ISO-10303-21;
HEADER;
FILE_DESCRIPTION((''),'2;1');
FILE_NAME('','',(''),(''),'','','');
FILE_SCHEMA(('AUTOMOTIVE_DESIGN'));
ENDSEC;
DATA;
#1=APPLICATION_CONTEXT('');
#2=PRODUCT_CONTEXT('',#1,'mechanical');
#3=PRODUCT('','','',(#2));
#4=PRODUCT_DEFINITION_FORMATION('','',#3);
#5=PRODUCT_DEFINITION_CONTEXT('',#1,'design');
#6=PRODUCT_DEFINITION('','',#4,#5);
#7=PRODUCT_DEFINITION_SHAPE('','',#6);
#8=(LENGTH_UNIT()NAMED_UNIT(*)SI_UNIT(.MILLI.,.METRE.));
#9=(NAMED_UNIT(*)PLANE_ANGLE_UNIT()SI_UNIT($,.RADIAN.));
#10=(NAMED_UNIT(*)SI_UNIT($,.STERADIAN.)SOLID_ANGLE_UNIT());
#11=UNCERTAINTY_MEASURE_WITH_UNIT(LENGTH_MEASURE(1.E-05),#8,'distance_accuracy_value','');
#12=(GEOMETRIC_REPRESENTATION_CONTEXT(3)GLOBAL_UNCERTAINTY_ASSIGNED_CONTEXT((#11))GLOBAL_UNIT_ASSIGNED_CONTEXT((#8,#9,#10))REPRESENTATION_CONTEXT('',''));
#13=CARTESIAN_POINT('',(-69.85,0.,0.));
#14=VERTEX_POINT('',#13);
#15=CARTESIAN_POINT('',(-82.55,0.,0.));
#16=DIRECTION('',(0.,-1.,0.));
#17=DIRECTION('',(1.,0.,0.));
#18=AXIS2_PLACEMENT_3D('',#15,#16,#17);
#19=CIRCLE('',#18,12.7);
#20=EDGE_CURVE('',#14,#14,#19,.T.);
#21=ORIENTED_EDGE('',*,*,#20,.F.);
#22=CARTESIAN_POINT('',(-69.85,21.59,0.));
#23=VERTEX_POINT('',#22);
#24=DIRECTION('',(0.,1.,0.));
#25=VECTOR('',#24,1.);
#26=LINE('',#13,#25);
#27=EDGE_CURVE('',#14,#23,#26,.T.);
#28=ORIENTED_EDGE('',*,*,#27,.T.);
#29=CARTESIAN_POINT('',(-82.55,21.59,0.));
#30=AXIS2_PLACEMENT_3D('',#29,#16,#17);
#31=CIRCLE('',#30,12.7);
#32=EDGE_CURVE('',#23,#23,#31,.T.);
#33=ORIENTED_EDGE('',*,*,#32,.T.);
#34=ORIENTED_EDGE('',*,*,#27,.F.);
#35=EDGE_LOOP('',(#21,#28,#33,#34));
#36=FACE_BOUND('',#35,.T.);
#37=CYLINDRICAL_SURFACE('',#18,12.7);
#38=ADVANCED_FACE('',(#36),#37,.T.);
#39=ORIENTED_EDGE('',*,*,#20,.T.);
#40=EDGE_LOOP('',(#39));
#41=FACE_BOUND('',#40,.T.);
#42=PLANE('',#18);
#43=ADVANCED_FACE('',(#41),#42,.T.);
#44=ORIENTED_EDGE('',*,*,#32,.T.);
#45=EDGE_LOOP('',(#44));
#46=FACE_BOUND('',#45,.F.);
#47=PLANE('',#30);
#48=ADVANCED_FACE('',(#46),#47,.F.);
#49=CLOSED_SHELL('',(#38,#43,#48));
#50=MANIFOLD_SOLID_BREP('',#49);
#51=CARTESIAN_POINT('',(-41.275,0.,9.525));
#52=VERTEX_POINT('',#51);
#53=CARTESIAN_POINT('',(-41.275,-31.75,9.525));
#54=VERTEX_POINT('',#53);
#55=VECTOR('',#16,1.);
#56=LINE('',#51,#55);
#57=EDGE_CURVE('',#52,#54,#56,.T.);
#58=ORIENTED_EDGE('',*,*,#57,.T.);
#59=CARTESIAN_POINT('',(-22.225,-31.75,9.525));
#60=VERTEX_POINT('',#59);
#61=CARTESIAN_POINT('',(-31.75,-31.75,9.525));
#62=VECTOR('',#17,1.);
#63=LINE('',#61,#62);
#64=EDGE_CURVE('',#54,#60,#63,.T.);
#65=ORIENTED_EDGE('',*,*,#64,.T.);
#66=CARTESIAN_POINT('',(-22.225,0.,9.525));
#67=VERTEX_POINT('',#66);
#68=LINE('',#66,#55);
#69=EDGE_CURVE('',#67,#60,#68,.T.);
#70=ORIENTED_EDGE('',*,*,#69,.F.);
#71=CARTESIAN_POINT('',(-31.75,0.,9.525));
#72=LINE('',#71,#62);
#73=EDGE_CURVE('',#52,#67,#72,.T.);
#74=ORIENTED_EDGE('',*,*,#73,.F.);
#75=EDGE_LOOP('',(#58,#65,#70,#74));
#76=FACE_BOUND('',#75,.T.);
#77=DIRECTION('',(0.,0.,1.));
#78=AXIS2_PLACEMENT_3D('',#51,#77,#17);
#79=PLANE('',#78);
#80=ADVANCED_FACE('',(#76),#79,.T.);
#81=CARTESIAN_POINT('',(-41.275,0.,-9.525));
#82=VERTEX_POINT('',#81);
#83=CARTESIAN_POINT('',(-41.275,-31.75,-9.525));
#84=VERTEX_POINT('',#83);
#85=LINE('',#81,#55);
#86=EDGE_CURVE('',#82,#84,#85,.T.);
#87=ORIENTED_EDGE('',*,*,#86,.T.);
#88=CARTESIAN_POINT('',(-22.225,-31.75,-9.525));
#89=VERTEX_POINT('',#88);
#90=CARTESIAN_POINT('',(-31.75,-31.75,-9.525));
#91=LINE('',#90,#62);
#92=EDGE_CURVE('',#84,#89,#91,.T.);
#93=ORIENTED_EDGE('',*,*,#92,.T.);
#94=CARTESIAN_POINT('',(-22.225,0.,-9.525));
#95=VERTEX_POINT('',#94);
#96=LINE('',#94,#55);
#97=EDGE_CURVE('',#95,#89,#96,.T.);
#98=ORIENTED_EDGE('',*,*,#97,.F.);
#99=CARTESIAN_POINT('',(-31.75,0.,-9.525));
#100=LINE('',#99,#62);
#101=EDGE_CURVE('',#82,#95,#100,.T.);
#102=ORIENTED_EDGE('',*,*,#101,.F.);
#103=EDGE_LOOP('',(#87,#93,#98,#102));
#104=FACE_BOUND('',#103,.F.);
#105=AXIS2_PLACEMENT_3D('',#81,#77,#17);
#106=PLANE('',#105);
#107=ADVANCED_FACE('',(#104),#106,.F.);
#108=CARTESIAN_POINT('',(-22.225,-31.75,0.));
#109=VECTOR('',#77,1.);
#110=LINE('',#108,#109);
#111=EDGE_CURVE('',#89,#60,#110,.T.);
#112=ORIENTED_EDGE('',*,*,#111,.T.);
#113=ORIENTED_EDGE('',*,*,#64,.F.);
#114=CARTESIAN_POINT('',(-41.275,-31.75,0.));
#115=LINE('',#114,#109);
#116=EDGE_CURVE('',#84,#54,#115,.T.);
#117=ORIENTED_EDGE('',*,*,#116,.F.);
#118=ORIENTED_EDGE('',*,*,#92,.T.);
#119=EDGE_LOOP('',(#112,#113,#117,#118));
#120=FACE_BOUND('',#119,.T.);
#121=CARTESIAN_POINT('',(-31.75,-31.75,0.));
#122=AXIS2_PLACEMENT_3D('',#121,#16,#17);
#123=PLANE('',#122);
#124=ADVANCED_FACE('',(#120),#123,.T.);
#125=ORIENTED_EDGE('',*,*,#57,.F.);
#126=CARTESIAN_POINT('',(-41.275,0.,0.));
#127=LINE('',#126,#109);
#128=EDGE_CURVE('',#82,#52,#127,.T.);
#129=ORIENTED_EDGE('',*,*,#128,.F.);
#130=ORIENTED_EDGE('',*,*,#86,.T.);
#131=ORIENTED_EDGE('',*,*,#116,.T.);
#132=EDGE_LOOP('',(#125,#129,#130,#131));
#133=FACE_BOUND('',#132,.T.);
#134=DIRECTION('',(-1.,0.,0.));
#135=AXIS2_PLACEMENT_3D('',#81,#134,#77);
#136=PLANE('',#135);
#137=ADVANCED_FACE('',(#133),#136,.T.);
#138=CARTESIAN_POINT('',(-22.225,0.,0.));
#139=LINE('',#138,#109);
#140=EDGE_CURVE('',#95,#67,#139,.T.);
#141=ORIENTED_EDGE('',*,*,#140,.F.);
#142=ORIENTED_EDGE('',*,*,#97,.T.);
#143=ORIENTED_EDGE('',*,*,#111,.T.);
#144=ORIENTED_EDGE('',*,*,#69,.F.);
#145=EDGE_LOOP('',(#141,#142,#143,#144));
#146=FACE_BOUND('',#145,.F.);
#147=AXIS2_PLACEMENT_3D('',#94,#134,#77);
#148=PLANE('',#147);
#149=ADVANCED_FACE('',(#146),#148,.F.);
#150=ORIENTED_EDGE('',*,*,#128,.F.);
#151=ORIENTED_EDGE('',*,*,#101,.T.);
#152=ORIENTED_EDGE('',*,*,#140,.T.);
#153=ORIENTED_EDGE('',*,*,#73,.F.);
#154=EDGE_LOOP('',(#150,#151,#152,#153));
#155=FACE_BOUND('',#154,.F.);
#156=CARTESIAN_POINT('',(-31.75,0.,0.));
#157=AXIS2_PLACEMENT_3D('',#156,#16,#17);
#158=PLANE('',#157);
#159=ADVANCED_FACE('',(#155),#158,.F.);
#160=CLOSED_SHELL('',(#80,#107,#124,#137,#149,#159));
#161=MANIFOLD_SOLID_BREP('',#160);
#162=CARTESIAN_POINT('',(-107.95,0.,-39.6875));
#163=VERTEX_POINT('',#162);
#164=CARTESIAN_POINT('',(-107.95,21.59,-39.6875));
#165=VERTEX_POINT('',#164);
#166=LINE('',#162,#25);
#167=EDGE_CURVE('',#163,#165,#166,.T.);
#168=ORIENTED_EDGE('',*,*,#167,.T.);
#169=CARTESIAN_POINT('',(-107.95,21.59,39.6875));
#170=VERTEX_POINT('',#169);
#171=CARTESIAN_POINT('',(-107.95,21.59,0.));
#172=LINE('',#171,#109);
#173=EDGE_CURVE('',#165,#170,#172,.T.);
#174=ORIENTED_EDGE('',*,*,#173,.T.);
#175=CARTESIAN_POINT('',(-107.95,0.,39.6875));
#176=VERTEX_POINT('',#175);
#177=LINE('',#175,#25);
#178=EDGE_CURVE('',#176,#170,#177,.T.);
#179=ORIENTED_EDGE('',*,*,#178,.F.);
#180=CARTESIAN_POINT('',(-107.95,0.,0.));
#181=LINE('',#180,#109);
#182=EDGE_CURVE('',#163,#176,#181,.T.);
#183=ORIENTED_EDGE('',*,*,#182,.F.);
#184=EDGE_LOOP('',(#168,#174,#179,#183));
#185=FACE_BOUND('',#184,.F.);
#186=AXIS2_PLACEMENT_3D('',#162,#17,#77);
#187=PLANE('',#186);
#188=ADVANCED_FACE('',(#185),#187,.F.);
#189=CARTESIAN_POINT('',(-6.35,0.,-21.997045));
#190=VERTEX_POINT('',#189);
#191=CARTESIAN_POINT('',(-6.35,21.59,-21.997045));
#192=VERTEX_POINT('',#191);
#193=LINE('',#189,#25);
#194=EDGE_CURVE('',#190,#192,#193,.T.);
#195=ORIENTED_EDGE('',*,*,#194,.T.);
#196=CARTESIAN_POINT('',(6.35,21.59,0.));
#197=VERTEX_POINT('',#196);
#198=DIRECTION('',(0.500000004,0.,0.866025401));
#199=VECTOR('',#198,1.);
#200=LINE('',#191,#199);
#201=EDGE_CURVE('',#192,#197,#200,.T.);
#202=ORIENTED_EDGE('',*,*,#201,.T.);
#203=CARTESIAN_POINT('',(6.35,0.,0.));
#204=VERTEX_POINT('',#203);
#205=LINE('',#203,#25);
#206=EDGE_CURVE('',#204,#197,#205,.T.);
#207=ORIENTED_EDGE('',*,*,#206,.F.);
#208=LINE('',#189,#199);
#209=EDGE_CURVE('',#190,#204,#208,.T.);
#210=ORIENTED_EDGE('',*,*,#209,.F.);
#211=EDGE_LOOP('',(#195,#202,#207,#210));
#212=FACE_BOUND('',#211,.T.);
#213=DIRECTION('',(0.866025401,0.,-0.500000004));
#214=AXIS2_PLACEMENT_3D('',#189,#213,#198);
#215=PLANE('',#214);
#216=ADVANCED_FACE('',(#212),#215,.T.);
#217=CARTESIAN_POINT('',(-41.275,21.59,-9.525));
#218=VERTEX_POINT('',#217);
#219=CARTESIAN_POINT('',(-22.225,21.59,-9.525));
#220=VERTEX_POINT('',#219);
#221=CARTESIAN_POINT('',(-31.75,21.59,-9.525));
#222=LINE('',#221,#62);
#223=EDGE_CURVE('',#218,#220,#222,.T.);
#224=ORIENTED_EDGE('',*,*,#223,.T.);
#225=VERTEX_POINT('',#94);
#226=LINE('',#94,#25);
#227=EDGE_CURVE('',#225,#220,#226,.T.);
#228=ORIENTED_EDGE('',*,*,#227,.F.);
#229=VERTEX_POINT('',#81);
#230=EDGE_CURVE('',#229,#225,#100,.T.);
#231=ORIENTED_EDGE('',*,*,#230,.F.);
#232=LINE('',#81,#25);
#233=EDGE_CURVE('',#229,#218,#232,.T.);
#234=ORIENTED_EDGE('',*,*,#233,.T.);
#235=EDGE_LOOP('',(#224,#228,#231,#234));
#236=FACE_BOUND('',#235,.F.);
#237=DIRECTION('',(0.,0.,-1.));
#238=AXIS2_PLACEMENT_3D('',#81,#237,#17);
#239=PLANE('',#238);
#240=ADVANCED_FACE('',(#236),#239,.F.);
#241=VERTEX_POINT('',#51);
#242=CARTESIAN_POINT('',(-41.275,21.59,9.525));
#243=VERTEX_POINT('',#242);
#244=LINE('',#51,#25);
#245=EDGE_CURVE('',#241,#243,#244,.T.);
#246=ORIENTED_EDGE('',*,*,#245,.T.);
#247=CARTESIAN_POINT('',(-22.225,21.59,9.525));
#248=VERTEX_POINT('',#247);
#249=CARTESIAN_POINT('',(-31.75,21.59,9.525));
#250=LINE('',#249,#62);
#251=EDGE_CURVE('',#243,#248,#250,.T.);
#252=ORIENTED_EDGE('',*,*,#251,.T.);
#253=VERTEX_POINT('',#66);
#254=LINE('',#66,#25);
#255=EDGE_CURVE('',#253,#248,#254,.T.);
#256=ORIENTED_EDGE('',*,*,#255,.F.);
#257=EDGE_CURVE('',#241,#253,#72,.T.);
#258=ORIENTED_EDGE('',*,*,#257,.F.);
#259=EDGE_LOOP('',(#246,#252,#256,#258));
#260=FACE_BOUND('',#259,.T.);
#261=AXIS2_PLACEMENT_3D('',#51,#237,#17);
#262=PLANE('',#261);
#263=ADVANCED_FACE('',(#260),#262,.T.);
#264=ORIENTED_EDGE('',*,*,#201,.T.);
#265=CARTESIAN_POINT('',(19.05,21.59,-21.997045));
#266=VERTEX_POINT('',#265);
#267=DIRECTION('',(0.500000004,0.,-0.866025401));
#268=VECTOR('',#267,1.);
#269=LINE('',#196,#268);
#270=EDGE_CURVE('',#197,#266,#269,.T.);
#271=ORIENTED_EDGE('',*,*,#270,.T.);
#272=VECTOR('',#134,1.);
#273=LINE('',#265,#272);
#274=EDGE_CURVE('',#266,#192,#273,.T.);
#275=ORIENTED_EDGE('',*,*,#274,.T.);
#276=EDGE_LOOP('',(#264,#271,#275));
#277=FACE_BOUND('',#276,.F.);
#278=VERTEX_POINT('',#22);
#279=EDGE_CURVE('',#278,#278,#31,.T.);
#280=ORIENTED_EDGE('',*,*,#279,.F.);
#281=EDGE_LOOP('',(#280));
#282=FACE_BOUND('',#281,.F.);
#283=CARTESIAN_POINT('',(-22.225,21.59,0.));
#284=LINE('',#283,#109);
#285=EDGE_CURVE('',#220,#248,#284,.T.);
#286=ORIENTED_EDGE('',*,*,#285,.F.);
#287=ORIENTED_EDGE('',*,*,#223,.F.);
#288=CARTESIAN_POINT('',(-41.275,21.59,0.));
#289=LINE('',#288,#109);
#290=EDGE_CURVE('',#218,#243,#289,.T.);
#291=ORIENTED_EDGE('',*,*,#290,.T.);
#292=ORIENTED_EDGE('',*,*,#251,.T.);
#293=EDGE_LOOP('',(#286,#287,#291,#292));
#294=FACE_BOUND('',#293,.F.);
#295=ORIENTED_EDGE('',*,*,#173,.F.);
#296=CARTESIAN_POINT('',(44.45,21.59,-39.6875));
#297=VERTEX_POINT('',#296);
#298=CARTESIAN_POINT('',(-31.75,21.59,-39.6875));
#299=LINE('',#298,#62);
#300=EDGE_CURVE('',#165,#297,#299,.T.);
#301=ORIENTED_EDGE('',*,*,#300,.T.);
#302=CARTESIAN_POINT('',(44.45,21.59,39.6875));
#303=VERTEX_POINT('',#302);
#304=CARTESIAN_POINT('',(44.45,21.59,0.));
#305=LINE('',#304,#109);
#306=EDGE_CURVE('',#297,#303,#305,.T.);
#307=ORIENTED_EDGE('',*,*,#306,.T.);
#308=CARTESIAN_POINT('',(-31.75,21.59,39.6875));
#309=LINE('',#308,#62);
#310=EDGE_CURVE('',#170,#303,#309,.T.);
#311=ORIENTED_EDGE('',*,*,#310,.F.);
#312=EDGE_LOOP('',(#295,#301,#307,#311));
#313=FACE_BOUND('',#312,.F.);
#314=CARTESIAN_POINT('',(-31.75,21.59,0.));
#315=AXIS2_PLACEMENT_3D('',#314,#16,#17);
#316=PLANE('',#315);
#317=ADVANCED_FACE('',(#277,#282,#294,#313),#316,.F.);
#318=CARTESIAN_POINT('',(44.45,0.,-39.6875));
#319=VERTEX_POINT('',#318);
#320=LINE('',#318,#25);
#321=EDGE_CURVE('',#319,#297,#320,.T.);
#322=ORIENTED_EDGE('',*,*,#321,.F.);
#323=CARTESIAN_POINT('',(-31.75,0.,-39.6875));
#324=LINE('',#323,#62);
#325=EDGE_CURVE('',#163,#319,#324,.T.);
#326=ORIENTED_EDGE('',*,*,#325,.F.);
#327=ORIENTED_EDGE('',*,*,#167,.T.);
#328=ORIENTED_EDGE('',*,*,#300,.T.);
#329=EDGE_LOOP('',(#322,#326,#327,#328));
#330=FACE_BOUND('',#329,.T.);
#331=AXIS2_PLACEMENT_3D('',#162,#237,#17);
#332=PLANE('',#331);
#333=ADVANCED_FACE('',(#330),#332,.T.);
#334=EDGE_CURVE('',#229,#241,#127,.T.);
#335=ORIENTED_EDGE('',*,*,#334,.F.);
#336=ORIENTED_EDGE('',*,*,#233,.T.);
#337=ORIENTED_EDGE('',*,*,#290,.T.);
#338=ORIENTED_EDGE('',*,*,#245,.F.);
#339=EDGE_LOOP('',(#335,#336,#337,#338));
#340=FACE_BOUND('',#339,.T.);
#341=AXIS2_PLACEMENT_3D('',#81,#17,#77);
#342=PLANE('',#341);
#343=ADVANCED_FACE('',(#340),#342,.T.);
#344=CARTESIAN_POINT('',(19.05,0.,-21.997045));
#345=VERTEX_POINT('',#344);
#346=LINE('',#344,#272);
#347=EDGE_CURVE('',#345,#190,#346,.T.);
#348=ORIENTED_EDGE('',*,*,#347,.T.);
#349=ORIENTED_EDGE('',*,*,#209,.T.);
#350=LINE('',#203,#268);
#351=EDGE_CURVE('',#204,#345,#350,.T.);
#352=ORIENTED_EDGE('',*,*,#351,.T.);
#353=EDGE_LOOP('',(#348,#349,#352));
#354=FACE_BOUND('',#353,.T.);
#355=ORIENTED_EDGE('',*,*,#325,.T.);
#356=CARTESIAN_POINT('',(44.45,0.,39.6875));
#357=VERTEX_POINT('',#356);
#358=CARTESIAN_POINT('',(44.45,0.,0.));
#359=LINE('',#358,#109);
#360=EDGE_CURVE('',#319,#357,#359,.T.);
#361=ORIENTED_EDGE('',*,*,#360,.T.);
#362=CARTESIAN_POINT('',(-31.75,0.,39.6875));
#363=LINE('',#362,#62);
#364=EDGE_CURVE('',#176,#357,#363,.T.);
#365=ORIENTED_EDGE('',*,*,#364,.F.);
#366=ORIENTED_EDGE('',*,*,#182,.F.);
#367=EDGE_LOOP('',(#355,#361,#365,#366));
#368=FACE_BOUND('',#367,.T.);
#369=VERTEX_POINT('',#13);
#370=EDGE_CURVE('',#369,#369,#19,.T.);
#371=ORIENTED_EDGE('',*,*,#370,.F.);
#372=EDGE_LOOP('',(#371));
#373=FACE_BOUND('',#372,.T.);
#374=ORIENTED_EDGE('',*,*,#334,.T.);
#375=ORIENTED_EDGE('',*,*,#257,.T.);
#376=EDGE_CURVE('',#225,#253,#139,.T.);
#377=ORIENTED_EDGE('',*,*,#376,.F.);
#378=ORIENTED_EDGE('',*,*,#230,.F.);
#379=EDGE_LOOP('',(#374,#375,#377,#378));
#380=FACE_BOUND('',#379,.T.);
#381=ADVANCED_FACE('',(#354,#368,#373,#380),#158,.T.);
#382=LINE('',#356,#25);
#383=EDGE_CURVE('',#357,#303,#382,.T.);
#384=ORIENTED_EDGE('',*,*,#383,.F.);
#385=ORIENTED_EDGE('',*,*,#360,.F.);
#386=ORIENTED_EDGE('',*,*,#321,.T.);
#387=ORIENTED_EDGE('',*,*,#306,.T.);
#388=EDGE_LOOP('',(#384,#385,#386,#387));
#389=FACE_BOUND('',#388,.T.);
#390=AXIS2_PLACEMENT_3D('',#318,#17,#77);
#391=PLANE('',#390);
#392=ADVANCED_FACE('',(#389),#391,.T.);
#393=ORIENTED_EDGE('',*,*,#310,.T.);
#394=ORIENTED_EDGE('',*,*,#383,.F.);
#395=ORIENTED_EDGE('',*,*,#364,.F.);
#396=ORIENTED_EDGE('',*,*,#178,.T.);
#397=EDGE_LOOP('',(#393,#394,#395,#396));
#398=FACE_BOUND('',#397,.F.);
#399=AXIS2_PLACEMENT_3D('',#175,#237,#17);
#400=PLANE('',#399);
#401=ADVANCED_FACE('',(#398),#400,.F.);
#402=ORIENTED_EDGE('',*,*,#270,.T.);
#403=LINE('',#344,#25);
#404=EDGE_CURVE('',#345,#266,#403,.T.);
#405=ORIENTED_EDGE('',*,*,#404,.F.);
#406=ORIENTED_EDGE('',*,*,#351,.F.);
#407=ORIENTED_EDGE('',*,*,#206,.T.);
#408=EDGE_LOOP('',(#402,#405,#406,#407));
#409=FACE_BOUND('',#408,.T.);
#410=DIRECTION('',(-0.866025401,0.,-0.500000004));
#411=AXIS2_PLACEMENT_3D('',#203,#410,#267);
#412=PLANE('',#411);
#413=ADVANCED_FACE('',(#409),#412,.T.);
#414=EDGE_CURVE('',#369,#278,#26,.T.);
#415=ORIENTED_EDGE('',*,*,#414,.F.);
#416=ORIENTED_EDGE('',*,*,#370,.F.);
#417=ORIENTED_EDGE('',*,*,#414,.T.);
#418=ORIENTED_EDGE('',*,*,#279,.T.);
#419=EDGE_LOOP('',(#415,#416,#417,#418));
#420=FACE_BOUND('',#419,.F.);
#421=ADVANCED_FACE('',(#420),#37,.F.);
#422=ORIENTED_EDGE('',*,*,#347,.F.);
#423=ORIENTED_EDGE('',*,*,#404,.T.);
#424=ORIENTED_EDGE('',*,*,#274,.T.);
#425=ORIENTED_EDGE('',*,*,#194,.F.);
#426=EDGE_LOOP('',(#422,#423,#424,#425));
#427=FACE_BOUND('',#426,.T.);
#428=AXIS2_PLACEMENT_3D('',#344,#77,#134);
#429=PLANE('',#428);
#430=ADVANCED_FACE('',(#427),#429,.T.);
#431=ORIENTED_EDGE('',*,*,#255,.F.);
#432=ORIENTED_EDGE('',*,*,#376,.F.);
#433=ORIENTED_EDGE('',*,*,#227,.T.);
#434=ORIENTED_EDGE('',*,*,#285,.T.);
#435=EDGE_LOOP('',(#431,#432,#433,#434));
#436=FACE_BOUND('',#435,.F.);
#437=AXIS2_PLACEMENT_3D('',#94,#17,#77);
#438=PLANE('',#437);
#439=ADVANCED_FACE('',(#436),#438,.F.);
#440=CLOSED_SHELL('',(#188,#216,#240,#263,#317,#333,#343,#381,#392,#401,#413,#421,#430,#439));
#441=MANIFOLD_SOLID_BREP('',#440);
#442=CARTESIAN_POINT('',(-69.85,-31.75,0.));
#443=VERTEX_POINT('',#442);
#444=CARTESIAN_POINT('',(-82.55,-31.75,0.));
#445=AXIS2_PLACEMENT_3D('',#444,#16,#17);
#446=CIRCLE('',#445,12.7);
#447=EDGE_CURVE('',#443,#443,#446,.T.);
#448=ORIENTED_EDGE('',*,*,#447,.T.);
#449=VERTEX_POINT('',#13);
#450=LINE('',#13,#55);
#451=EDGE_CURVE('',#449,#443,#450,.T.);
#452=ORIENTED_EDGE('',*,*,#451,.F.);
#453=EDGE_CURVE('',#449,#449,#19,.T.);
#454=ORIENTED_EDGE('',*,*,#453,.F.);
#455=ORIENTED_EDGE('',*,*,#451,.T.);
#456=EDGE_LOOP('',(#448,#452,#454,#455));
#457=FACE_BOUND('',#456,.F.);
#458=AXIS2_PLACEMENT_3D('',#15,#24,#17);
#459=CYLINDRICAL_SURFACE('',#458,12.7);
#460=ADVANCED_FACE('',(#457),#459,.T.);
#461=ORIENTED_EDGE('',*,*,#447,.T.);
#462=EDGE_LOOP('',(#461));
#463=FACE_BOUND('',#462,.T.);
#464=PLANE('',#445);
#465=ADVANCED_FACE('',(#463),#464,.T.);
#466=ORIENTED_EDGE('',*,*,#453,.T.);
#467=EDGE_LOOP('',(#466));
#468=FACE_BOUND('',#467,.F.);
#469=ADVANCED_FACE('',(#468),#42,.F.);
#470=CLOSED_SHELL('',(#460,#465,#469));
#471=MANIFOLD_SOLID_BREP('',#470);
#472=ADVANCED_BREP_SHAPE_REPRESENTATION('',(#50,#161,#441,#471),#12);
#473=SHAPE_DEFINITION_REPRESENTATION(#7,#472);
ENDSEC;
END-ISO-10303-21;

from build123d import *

# Parameters (mm, degrees)
F0_W     = 152.4
F0_H     = 79.375
F0_R     = 12.7
F0_W_2   = 19.05
F0_H_2   = 19.05
F1_DEPTH = 21.59
F2_DEPTH = 31.75
F3_DEPTH = 21.59
F4_DEPTH = 31.75


with BuildPart() as f1:
    # F0 (on Front) → F1 (new body)
    with BuildSketch(Plane.XZ):
        with Locations((-31.75, 0)):
            Rectangle(F0_W, F0_H)
        Polygon((-6.35, -21.997045), (6.35, 0), (19.05, -21.997045), align=None, mode=Mode.SUBTRACT)
        with Locations((-82.55, 0)):
            Circle(F0_R, mode=Mode.SUBTRACT)
        with Locations((-31.75, 0)):
            Rectangle(F0_W_2, F0_H_2, mode=Mode.SUBTRACT)
    extrude(amount=-F1_DEPTH)

    # F0 (on Front) → F2 (join)
    with BuildSketch(Plane.XZ):
        with Locations((-82.55, 0)):
            Circle(F0_R)
    extrude(amount=F2_DEPTH)


with BuildPart() as f3:
    # F0 (on Front) → F3 (new body)
    with BuildSketch(Plane.XZ):
        with Locations((-82.55, 0)):
            Circle(F0_R)
    extrude(amount=-F3_DEPTH)


with BuildPart() as f4:
    # F0 (on Front) → F4 (new body)
    with BuildSketch(Plane.XZ):
        with Locations((-31.75, 0)):
            Rectangle(F0_W_2, F0_H_2)
    extrude(amount=F4_DEPTH)


solid = Compound([f1.part, f3.part, f4.part])
